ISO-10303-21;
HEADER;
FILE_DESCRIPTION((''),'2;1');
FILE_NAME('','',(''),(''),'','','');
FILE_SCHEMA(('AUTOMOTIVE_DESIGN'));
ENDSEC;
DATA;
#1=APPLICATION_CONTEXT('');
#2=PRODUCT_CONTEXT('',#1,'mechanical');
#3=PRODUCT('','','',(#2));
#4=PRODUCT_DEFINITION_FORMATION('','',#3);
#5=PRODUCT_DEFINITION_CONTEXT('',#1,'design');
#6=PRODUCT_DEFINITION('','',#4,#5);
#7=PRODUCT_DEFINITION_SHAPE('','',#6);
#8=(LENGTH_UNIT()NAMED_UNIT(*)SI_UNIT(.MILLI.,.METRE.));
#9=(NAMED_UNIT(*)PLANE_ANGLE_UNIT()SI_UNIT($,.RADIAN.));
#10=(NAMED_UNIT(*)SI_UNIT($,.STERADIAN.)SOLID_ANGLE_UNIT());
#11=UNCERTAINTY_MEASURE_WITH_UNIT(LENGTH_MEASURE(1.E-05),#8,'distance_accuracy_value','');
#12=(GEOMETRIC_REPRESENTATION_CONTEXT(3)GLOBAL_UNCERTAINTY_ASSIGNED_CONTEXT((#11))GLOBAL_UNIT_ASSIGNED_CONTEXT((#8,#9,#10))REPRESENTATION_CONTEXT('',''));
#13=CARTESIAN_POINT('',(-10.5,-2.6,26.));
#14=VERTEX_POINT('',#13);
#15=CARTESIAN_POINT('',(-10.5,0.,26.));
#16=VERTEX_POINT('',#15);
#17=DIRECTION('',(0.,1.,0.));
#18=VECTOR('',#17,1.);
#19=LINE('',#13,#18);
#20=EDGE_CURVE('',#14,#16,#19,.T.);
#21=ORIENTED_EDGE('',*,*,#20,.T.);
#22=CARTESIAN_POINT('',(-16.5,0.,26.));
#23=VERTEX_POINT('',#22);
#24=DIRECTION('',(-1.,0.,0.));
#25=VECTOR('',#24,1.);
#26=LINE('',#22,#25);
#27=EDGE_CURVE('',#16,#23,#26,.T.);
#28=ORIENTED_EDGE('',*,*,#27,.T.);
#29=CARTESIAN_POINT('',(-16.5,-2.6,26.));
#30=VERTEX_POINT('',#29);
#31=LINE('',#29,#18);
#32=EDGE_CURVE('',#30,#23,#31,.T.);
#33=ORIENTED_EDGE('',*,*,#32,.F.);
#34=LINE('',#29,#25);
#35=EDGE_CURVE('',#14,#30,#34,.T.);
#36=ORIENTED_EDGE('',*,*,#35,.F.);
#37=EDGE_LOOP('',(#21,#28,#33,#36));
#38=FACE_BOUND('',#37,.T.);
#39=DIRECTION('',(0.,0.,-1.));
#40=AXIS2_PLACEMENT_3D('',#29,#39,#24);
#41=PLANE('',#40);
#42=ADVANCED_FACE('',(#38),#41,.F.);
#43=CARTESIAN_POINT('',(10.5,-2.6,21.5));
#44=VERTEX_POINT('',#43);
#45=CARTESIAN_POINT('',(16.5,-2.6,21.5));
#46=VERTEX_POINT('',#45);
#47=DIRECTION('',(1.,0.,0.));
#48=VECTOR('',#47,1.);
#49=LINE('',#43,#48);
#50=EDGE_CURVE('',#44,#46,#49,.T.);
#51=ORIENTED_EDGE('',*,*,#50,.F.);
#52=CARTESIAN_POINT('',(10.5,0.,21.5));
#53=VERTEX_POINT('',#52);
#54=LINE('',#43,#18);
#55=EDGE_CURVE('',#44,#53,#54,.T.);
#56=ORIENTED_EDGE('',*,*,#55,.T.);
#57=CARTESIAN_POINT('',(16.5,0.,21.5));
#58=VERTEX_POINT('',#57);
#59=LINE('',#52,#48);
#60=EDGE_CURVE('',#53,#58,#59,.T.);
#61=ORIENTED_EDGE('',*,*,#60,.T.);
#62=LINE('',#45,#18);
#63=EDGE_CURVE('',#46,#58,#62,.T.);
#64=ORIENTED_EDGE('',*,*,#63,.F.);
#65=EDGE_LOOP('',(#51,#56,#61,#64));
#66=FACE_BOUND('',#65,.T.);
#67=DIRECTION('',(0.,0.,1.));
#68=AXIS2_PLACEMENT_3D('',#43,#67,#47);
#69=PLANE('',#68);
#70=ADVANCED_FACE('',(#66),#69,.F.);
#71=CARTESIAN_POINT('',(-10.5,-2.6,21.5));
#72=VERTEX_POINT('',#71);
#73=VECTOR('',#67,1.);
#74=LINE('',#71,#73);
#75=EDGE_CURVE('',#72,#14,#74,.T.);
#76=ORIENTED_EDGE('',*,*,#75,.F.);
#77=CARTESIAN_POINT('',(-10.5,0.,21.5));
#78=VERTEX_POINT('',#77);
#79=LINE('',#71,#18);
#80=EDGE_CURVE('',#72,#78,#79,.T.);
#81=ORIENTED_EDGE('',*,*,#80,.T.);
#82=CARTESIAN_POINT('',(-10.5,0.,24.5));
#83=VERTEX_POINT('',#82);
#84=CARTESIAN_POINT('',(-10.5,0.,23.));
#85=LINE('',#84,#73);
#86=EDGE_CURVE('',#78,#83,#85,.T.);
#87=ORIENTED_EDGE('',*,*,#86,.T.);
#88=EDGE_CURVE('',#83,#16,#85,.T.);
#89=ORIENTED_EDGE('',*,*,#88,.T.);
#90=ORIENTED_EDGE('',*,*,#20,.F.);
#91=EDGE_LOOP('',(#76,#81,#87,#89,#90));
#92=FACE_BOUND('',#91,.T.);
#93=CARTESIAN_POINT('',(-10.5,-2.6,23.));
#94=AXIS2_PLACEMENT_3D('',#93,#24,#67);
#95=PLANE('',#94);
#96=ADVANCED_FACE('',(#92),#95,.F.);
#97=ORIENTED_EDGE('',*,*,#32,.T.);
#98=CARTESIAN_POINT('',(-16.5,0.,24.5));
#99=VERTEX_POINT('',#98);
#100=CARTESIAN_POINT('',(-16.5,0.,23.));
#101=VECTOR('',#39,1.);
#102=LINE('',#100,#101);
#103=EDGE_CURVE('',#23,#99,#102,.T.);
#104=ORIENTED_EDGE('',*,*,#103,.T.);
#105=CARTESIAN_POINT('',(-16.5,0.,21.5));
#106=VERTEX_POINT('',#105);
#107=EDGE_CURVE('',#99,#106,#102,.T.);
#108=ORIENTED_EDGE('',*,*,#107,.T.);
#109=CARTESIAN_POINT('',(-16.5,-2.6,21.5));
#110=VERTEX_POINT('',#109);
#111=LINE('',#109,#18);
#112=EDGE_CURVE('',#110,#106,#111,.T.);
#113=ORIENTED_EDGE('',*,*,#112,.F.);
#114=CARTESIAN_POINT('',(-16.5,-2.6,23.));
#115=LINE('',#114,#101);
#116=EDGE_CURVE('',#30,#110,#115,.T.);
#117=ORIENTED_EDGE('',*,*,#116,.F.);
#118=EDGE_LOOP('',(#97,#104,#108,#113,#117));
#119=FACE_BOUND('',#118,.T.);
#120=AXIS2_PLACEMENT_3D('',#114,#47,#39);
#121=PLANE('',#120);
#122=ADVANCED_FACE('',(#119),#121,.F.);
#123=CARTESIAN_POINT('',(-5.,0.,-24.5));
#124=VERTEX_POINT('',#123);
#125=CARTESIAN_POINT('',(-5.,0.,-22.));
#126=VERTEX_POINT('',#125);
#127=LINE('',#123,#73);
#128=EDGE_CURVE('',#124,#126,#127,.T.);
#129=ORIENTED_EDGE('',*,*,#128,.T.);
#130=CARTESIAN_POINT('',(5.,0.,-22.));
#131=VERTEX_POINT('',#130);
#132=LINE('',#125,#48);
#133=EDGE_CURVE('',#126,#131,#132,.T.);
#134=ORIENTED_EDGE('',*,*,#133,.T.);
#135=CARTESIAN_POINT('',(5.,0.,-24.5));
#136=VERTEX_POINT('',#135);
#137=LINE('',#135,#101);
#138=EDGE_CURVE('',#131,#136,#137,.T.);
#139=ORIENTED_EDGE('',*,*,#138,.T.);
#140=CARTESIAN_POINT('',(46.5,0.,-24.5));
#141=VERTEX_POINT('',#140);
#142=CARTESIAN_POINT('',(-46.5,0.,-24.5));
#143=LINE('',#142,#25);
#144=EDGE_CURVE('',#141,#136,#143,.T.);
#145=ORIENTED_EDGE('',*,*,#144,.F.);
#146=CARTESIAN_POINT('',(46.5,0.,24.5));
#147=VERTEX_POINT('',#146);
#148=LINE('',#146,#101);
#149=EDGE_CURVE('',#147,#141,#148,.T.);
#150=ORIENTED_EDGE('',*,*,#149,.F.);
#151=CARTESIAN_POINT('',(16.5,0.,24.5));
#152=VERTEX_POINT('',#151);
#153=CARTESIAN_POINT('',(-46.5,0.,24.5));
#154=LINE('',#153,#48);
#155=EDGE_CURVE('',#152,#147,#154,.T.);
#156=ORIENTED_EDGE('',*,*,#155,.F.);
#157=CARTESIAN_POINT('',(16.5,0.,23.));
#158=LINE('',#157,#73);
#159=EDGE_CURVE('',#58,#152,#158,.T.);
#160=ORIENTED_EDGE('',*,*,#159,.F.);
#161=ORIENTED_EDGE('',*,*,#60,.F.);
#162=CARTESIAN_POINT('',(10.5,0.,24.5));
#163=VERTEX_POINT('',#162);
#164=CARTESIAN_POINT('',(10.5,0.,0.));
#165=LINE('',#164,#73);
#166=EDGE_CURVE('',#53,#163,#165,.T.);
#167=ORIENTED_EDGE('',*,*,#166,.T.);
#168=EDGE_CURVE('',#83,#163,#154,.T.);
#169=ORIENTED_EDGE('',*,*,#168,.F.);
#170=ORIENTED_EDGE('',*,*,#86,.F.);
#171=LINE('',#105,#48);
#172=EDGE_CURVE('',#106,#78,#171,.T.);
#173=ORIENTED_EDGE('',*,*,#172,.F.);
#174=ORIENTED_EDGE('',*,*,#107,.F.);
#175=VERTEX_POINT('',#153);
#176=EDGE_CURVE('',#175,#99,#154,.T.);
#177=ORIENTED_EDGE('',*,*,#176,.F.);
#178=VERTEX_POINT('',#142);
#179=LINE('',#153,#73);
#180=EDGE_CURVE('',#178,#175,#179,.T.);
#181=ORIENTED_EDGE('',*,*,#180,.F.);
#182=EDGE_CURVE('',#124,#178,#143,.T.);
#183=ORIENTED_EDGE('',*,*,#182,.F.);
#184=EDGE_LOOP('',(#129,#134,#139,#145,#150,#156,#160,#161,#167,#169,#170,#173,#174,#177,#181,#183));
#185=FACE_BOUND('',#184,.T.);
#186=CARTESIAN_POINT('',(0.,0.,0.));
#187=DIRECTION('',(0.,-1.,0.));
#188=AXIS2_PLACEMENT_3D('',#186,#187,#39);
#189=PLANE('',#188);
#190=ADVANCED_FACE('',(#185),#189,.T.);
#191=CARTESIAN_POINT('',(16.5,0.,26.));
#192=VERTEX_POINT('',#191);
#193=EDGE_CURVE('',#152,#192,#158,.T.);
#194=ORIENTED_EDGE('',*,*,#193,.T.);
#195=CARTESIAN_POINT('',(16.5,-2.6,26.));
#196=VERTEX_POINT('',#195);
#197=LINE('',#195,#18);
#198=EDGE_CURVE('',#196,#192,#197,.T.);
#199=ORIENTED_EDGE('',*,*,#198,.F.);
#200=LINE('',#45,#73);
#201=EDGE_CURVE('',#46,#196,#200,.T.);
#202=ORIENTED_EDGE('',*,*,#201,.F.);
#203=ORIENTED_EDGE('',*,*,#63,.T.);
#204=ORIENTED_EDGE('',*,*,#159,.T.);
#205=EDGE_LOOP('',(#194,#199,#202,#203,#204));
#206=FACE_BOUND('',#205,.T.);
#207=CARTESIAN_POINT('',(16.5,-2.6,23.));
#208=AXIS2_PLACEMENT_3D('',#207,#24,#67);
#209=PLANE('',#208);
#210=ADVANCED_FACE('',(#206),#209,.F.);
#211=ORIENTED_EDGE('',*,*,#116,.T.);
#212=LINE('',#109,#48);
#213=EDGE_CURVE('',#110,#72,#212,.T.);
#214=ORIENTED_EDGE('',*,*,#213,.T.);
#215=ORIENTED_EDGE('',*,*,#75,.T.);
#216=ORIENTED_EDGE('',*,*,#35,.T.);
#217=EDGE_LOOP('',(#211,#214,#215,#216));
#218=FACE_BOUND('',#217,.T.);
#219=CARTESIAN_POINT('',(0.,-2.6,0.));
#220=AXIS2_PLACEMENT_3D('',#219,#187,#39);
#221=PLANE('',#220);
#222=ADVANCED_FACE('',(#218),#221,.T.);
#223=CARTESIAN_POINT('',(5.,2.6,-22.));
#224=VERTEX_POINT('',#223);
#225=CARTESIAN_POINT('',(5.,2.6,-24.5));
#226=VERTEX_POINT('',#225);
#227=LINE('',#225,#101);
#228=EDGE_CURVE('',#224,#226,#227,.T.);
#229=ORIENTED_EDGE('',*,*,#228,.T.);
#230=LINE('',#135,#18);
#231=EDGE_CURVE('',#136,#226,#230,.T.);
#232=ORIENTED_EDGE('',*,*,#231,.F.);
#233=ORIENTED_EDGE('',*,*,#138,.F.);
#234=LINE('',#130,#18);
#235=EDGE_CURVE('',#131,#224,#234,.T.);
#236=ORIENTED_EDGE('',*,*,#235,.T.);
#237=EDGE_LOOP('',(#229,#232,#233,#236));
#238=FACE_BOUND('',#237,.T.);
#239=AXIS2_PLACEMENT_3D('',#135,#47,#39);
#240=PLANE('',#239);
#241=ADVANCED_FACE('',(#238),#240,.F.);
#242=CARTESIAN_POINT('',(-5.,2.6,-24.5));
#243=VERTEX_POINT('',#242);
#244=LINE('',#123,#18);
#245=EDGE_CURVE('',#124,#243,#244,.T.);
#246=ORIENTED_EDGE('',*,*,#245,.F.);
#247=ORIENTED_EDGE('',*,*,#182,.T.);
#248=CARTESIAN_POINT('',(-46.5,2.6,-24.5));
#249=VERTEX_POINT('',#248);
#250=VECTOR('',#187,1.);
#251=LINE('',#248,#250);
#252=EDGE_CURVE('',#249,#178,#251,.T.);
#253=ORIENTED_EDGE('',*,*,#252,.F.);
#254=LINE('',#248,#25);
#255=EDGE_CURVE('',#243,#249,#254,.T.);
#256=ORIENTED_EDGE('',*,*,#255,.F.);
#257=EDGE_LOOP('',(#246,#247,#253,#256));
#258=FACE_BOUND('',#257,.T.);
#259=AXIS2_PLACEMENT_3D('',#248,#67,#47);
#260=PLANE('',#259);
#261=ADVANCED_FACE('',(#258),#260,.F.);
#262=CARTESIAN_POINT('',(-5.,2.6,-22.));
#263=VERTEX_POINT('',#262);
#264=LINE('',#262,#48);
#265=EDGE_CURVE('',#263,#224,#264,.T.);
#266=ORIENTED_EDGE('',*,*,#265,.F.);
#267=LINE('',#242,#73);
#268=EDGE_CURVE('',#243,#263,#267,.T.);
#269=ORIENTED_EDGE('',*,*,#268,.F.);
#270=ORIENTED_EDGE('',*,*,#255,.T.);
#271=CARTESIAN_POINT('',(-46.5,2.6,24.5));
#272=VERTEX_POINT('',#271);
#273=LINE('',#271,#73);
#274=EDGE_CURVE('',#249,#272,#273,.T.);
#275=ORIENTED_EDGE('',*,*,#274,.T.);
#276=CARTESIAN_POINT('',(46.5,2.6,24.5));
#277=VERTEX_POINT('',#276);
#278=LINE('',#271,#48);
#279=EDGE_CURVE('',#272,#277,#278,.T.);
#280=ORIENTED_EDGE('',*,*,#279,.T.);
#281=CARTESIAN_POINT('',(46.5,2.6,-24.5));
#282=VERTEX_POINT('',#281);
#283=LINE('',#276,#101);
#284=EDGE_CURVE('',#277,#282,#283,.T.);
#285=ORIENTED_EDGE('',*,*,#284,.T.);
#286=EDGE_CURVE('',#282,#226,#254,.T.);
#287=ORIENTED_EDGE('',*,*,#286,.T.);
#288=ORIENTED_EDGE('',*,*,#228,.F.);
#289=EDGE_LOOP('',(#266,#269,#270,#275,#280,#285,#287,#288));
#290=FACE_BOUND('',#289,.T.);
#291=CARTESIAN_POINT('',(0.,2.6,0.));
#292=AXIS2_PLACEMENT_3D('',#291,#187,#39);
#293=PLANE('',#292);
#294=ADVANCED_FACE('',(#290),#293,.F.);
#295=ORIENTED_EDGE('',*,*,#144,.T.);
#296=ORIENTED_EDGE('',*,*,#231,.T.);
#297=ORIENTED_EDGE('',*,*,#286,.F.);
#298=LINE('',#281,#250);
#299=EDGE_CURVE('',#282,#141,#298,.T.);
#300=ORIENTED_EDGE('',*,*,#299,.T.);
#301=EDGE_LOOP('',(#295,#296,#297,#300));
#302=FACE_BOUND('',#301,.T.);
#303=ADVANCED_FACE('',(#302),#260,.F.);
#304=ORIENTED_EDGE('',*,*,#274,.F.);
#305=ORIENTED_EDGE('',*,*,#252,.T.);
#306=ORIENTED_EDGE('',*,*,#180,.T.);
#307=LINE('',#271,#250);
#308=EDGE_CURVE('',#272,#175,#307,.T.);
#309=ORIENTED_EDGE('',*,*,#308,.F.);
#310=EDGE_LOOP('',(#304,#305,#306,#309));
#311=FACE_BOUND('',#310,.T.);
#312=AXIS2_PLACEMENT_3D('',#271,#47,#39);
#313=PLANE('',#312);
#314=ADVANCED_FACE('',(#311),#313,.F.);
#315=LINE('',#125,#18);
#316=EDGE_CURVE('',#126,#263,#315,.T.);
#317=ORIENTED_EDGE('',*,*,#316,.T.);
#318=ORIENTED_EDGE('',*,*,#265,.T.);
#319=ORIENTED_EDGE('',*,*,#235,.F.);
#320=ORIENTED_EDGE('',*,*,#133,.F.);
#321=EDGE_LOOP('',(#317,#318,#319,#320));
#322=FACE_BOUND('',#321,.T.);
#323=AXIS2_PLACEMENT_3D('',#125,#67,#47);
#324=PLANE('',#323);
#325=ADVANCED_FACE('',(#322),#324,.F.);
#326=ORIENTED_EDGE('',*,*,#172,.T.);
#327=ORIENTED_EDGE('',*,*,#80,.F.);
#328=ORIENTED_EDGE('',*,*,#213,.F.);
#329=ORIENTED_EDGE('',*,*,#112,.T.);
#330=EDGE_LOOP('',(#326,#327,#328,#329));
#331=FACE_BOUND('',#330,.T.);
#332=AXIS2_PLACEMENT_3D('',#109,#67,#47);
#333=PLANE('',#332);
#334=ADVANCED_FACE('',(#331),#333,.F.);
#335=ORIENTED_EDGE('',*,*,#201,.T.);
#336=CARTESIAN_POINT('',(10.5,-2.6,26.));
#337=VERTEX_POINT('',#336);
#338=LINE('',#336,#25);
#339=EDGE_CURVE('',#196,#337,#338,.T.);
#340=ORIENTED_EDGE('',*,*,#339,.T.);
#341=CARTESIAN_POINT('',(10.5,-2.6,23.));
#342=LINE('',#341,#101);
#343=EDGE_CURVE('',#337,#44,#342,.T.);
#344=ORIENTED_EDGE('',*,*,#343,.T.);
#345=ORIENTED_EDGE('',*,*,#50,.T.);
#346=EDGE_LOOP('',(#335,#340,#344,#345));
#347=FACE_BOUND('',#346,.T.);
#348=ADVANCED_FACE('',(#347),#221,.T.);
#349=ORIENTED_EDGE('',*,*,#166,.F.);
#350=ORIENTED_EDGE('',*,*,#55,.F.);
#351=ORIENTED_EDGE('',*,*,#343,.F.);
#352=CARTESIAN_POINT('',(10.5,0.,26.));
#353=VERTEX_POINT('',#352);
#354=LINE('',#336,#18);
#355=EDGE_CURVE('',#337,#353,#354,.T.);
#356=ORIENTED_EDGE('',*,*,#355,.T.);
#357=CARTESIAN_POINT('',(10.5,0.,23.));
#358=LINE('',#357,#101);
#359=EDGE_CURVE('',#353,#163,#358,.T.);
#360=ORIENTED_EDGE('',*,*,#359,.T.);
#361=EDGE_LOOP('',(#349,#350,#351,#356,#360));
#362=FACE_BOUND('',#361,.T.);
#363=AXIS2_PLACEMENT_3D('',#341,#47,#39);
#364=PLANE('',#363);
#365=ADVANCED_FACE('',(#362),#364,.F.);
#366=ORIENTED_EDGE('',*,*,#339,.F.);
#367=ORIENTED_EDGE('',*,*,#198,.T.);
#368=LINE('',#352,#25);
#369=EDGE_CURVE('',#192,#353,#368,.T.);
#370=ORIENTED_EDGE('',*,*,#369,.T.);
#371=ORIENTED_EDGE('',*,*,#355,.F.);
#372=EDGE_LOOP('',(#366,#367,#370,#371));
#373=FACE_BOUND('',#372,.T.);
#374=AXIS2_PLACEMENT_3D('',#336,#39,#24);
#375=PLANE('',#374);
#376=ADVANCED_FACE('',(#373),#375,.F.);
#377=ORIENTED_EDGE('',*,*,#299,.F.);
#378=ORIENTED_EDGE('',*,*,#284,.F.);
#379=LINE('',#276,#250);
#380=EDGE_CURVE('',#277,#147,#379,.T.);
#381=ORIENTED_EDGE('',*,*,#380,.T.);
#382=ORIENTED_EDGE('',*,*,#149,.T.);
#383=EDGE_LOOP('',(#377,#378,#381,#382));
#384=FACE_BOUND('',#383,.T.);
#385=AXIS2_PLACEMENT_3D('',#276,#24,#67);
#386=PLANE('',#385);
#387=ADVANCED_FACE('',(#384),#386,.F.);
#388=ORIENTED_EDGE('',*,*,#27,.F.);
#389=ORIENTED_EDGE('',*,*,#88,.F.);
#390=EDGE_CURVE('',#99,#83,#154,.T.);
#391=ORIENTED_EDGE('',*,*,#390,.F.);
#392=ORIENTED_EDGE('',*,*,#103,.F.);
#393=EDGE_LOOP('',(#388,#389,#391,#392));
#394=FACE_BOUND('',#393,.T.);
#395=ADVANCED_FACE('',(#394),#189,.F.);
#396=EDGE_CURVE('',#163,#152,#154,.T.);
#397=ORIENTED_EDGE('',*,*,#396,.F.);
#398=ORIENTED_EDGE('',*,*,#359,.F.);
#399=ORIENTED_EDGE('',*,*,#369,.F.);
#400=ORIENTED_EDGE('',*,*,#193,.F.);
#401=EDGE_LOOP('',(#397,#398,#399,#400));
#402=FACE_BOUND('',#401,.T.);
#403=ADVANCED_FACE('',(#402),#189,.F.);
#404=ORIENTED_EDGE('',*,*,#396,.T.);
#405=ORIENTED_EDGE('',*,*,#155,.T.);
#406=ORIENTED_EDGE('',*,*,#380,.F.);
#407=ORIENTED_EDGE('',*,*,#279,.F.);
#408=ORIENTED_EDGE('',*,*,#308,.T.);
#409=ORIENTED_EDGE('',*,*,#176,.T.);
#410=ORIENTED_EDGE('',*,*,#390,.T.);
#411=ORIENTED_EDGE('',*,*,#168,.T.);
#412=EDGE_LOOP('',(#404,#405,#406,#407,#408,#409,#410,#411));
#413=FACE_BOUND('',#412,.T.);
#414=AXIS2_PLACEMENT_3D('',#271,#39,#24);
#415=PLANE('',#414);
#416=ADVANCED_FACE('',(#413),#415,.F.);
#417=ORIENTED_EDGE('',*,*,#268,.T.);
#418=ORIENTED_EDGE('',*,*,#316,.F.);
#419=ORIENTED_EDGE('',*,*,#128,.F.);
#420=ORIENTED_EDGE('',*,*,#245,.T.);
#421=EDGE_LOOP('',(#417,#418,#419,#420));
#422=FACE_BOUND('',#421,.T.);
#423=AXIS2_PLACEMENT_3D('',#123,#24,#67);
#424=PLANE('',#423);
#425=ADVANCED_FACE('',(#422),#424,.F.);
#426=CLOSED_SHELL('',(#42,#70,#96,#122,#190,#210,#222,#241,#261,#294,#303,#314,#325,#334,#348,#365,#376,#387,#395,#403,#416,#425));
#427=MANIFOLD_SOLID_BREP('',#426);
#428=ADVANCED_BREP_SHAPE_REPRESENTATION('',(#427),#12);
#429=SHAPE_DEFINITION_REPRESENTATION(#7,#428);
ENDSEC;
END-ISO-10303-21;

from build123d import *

# Parameters (mm, degrees)
SKETCH1_W           = 93
SKETCH1_H           = 49
BOSS_EXTRUDE1_DEPTH = 2.6
SKETCH2_W           = 10
SKETCH2_H           = 2.5
CUT_EXTRUDE1_DEPTH  = 2.6
BOSS_EXTRUDE2_DEPTH = 2.6


with BuildPart() as part:
    # Sketch1 → Boss-Extrude1 (new body)
    with BuildSketch(Plane(origin=(0, 0, 0), x_dir=(1, 0, 0), z_dir=(0, 1, 0))):
        Rectangle(SKETCH1_W, SKETCH1_H)
    extrude(amount=BOSS_EXTRUDE1_DEPTH)

    # Sketch2 → Cut-Extrude1 (cut)
    with BuildSketch(Plane(origin=(0, 2.6, 0), x_dir=(1, 0, 0), z_dir=(0, 1, 0))):
        with Locations((0, 23.25)):
            Rectangle(SKETCH2_W, SKETCH2_H)
    extrude(amount=-CUT_EXTRUDE1_DEPTH, mode=Mode.SUBTRACT)

    # Sketch3 → Boss-Extrude2 (add)
    with BuildSketch(Plane.XZ):
        Polygon((-16.5, 23), (-16.5, 26), (-10.5, 26), (-10.5, 23), (-10.5, 21.5), (-16.5, 21.5), align=None)
        Polygon((10.5, 23), (10.5, 26), (16.5, 26), (16.5, 23), (16.5, 21.5), (10.5, 21.5), align=None)
    extrude(amount=BOSS_EXTRUDE2_DEPTH)


solid = part.part
